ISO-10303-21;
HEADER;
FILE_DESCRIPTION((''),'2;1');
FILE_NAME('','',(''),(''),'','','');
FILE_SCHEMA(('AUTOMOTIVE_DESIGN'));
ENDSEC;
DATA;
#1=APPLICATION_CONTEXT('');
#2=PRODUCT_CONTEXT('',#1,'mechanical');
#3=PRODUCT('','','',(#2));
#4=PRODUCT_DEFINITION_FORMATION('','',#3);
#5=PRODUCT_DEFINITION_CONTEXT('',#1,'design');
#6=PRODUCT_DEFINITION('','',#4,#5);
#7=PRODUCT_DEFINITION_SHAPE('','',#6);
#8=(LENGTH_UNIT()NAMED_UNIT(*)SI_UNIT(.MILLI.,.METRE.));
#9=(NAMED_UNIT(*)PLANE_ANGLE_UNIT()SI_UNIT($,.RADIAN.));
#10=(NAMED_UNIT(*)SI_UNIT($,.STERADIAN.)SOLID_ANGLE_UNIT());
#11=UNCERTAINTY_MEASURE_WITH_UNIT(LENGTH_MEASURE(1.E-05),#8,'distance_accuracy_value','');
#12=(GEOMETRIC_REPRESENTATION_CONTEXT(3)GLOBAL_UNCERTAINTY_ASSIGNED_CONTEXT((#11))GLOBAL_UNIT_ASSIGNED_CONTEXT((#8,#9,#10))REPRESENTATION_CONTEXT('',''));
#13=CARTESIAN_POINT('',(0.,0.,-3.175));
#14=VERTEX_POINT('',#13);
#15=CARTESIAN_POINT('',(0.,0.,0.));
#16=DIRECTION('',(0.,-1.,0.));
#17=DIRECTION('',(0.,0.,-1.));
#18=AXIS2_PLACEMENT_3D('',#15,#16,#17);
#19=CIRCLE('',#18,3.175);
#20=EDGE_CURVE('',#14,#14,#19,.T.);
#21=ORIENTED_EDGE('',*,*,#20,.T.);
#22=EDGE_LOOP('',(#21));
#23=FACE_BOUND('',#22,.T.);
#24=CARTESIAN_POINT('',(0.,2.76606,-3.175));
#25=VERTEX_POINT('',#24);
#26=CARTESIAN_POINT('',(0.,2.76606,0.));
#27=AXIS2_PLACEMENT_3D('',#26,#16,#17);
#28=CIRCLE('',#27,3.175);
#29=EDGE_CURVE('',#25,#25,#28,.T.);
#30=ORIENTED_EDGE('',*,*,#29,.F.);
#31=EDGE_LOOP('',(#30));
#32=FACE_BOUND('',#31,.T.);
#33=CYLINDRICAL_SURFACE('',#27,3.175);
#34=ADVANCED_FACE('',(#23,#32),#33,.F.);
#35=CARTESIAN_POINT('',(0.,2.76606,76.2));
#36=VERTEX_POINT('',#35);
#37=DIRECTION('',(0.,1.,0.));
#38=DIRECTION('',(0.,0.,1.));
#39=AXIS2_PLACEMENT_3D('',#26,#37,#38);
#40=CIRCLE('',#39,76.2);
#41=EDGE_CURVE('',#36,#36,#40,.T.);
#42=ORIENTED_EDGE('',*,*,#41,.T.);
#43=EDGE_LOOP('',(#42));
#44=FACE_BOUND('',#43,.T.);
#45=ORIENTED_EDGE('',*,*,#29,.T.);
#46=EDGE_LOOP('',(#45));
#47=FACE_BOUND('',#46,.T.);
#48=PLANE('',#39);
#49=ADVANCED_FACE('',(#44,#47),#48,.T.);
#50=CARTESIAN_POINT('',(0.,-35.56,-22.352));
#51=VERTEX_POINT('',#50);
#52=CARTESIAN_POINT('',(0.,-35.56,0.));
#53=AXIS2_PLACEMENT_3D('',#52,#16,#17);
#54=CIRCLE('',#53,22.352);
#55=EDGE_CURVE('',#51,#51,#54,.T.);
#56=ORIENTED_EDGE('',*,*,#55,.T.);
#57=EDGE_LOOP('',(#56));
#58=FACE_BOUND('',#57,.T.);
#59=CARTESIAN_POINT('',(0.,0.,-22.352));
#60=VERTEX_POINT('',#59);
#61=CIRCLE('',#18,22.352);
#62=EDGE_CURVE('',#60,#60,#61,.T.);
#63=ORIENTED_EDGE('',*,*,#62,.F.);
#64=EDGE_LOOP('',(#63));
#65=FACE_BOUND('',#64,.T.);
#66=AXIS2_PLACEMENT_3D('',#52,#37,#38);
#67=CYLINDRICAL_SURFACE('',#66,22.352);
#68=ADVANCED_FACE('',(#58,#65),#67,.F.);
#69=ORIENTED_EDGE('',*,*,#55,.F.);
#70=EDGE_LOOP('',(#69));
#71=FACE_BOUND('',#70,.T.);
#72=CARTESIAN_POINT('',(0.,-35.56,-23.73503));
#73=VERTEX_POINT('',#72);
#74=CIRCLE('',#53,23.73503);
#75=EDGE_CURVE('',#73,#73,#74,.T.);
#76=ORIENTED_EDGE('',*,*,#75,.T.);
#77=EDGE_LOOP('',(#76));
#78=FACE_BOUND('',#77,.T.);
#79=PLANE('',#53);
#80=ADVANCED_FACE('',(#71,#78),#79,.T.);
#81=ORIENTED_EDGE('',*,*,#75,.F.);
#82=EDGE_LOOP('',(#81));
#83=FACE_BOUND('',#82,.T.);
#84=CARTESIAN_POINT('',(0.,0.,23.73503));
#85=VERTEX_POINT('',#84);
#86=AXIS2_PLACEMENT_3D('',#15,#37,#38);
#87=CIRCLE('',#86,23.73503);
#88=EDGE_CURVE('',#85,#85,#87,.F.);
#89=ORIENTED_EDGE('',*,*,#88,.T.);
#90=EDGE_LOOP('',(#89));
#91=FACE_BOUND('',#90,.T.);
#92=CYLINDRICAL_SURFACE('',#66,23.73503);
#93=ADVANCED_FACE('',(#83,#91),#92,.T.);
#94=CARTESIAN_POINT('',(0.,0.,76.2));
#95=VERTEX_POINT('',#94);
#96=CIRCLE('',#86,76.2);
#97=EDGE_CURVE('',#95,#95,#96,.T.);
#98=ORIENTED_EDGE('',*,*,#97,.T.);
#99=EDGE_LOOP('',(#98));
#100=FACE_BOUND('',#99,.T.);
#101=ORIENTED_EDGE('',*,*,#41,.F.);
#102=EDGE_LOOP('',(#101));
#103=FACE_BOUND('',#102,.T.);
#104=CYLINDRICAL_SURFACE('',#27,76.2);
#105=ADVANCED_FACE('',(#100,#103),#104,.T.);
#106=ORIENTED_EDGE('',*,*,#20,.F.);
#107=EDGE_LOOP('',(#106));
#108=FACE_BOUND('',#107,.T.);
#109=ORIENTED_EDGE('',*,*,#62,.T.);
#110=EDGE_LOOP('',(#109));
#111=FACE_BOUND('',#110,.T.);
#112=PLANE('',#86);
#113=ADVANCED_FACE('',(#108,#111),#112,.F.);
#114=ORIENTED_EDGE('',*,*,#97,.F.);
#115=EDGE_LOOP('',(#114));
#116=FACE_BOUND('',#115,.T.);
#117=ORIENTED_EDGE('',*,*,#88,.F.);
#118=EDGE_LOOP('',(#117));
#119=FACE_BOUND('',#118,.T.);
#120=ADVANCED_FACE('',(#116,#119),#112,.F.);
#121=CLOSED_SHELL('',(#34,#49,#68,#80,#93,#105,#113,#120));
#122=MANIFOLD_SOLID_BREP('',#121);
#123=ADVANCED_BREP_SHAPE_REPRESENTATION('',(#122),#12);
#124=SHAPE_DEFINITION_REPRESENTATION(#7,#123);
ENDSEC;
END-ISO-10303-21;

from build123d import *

# Parameters (mm, degrees)
SKETCH1_R           = 76.2
BOSS_EXTRUDE1_DEPTH = 2.76606
SKETCH4_R           = 23.73503
SKETCH4_R_2         = 22.352
BOSS_EXTRUDE3_DEPTH = 35.56
SKETCH5_R           = 3.175
CUT_EXTRUDE1_DEPTH  = 3.76606


with BuildPart() as part:
    # Sketch1 → Boss-Extrude1 (new body)
    with BuildSketch(Plane(origin=(0, 0, 0), x_dir=(1, 0, 0), z_dir=(0, 1, 0))):
        Circle(SKETCH1_R)
    extrude(amount=BOSS_EXTRUDE1_DEPTH)

    # Sketch4 → Boss-Extrude3 (add)
    with BuildSketch(Plane.XZ):
        Circle(SKETCH4_R)
        Circle(SKETCH4_R_2, mode=Mode.SUBTRACT)
    extrude(amount=BOSS_EXTRUDE3_DEPTH)

    # Sketch5 → Cut-Extrude1 (cut, through all)
    with BuildSketch(Plane.XZ):
        Circle(SKETCH5_R)
    extrude(amount=-CUT_EXTRUDE1_DEPTH, mode=Mode.SUBTRACT)


solid = part.part
